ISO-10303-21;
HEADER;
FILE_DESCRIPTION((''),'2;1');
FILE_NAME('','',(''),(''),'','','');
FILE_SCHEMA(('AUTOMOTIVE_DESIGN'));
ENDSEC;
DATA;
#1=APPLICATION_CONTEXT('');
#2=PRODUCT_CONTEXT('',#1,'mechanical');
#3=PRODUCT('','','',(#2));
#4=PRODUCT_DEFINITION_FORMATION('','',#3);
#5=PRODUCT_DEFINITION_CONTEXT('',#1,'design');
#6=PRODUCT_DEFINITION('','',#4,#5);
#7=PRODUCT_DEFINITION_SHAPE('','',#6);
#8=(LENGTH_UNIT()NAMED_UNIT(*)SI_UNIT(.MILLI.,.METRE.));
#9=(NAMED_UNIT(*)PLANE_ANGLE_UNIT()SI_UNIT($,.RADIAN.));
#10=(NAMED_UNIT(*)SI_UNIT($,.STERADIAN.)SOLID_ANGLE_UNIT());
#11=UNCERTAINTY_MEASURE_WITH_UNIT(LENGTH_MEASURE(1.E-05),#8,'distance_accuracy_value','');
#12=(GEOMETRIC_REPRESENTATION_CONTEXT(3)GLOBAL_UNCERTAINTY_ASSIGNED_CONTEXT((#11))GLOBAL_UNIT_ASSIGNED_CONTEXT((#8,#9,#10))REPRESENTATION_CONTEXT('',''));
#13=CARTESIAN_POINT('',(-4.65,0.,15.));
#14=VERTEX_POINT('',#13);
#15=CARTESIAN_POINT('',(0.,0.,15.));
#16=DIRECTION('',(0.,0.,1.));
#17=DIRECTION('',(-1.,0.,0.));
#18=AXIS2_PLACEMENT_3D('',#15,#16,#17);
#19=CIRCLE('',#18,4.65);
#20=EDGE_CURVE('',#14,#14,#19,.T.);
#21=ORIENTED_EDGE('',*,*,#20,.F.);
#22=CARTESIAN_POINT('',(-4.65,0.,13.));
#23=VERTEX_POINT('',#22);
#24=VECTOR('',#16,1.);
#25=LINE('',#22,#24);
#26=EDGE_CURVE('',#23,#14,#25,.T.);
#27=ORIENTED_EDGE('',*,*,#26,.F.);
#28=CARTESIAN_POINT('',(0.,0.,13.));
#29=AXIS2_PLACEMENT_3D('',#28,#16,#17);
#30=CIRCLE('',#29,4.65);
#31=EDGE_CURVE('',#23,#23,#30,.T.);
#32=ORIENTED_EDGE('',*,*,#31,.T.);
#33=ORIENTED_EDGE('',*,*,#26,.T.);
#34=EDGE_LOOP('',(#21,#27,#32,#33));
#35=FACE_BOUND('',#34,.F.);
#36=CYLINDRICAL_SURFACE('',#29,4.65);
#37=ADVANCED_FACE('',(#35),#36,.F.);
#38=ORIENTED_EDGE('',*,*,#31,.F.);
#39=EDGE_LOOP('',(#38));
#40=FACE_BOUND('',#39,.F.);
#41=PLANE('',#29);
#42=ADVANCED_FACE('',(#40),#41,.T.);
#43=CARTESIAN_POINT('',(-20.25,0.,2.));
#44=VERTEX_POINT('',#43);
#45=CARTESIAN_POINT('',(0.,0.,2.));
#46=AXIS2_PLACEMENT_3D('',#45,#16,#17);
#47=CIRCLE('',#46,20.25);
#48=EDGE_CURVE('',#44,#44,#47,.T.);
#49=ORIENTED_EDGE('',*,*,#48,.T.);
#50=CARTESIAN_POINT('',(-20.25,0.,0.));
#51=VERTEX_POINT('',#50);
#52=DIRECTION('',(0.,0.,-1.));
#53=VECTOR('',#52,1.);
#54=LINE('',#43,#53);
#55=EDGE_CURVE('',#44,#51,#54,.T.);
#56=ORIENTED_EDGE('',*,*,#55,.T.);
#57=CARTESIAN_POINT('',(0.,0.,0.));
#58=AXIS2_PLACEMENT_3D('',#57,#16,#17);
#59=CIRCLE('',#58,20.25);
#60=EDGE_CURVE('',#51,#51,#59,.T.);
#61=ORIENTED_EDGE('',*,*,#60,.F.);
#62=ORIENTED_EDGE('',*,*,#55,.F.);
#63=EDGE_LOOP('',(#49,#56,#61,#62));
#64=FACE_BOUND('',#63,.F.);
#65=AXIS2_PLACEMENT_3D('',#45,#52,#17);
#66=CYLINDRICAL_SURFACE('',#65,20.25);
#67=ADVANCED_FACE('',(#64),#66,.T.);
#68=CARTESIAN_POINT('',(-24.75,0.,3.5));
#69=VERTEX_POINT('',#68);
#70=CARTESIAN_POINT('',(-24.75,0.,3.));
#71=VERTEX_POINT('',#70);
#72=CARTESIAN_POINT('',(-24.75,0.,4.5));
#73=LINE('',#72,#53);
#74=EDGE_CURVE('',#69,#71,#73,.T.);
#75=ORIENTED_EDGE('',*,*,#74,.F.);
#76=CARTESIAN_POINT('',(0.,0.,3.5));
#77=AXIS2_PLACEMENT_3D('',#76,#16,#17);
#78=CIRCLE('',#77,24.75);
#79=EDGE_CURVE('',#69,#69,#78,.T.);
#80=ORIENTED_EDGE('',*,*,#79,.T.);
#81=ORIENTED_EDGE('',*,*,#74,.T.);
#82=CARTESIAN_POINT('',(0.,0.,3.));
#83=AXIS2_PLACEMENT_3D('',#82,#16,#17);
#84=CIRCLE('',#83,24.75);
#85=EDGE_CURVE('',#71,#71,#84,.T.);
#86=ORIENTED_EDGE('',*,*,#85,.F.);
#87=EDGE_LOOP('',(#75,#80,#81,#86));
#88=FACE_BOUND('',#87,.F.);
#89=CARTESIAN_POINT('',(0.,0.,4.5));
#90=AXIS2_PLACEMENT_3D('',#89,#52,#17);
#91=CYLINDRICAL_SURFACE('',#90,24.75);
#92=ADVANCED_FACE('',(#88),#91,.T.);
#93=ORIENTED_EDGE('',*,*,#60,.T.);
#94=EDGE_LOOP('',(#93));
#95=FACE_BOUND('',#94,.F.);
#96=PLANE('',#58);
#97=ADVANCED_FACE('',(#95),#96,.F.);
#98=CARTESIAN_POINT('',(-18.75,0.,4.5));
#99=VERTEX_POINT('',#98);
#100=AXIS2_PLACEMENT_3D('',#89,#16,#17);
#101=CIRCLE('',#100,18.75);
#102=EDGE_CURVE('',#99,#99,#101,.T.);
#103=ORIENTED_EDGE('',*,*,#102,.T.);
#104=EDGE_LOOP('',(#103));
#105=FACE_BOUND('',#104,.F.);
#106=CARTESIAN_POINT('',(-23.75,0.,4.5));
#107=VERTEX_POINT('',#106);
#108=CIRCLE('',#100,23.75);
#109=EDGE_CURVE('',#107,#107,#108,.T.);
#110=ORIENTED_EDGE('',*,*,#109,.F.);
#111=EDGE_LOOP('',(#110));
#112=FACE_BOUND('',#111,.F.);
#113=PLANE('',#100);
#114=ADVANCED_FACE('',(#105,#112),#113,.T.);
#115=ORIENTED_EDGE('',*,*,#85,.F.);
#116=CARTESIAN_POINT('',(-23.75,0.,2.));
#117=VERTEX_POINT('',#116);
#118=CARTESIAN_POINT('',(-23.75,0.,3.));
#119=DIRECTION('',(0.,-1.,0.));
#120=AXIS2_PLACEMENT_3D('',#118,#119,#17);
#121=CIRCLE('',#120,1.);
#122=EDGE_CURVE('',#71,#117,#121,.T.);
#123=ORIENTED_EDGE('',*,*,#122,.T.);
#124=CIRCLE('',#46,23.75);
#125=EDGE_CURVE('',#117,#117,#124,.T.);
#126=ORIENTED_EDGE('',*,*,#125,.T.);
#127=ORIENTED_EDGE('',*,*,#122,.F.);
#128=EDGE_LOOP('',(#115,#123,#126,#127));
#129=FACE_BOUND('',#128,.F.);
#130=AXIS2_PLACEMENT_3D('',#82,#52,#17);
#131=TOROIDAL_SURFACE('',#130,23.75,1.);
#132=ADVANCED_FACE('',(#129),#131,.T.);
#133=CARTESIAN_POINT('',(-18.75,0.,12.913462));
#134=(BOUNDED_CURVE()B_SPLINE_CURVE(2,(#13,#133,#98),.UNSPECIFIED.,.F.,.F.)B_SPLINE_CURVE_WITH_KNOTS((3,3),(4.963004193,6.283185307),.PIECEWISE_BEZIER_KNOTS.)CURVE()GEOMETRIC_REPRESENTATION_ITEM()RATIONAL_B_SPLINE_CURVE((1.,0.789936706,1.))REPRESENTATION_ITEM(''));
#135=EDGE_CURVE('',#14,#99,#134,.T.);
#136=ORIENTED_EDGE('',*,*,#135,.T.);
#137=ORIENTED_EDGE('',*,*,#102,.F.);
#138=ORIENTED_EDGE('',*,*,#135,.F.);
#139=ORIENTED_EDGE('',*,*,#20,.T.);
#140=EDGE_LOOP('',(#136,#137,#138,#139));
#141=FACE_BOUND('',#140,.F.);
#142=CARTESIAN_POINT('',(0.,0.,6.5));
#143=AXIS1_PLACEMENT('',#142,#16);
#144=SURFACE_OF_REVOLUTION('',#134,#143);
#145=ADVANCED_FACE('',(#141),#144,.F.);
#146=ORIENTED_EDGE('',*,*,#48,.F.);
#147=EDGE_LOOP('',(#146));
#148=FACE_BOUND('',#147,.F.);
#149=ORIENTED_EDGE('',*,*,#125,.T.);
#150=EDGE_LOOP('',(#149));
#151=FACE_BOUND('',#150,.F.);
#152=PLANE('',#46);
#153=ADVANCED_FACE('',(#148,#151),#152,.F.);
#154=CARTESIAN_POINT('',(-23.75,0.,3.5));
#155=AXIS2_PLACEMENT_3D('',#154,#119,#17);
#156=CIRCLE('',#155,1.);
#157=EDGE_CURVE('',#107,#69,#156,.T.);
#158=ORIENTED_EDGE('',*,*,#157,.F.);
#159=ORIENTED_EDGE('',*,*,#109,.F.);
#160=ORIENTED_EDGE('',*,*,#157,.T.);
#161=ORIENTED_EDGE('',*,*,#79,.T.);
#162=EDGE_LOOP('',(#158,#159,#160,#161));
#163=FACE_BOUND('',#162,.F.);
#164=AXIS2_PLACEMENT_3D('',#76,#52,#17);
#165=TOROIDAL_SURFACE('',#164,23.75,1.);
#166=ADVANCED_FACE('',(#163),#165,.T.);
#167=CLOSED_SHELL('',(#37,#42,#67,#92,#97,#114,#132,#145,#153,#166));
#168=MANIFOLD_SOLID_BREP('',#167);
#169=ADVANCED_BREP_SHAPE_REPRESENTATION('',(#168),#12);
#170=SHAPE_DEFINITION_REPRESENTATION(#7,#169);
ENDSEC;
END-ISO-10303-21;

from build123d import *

# Parameters (mm, degrees)
F2_R = 1


with BuildPart() as f1:
    # F0 (on Front) → F1 (revolve)
    with BuildSketch(Plane.XZ):
        with BuildLine():
            Line((-20.25, 0), (0, 0))
            Line((0, 0), (0, 13))
            Line((0, 13), (-4.65, 13))
            Line((-4.65, 13), (-4.65, 15))
            add(Edge.make_bspline(
                [(-4.65, 15), (-18.75, 12.9134615385), (-18.75, 4.5)],
                knots=[4.9630041935, 4.9630041935, 4.9630041935, 6.2831853072, 6.2831853072, 6.2831853072], degree=2, weights=[1, 0.7899367063, 1]))
            Line((-18.75, 4.5), (-24.75, 4.5))
            Line((-24.75, 4.5), (-24.75, 2))
            Line((-24.75, 2), (-20.25, 2))
            Line((-20.25, 2), (-20.25, 0))
        make_face()
    revolve(axis=Axis((0, 0, 6.5), (0, 0, 1)))

    # F2
    f2_edges = [f1.edges().sort_by_distance(p)[0] for p in [
        (24.75, 0, 4.5),
        (24.75, 0, 2),
    ]]
    fillet(f2_edges, radius=F2_R)


solid = f1.part
